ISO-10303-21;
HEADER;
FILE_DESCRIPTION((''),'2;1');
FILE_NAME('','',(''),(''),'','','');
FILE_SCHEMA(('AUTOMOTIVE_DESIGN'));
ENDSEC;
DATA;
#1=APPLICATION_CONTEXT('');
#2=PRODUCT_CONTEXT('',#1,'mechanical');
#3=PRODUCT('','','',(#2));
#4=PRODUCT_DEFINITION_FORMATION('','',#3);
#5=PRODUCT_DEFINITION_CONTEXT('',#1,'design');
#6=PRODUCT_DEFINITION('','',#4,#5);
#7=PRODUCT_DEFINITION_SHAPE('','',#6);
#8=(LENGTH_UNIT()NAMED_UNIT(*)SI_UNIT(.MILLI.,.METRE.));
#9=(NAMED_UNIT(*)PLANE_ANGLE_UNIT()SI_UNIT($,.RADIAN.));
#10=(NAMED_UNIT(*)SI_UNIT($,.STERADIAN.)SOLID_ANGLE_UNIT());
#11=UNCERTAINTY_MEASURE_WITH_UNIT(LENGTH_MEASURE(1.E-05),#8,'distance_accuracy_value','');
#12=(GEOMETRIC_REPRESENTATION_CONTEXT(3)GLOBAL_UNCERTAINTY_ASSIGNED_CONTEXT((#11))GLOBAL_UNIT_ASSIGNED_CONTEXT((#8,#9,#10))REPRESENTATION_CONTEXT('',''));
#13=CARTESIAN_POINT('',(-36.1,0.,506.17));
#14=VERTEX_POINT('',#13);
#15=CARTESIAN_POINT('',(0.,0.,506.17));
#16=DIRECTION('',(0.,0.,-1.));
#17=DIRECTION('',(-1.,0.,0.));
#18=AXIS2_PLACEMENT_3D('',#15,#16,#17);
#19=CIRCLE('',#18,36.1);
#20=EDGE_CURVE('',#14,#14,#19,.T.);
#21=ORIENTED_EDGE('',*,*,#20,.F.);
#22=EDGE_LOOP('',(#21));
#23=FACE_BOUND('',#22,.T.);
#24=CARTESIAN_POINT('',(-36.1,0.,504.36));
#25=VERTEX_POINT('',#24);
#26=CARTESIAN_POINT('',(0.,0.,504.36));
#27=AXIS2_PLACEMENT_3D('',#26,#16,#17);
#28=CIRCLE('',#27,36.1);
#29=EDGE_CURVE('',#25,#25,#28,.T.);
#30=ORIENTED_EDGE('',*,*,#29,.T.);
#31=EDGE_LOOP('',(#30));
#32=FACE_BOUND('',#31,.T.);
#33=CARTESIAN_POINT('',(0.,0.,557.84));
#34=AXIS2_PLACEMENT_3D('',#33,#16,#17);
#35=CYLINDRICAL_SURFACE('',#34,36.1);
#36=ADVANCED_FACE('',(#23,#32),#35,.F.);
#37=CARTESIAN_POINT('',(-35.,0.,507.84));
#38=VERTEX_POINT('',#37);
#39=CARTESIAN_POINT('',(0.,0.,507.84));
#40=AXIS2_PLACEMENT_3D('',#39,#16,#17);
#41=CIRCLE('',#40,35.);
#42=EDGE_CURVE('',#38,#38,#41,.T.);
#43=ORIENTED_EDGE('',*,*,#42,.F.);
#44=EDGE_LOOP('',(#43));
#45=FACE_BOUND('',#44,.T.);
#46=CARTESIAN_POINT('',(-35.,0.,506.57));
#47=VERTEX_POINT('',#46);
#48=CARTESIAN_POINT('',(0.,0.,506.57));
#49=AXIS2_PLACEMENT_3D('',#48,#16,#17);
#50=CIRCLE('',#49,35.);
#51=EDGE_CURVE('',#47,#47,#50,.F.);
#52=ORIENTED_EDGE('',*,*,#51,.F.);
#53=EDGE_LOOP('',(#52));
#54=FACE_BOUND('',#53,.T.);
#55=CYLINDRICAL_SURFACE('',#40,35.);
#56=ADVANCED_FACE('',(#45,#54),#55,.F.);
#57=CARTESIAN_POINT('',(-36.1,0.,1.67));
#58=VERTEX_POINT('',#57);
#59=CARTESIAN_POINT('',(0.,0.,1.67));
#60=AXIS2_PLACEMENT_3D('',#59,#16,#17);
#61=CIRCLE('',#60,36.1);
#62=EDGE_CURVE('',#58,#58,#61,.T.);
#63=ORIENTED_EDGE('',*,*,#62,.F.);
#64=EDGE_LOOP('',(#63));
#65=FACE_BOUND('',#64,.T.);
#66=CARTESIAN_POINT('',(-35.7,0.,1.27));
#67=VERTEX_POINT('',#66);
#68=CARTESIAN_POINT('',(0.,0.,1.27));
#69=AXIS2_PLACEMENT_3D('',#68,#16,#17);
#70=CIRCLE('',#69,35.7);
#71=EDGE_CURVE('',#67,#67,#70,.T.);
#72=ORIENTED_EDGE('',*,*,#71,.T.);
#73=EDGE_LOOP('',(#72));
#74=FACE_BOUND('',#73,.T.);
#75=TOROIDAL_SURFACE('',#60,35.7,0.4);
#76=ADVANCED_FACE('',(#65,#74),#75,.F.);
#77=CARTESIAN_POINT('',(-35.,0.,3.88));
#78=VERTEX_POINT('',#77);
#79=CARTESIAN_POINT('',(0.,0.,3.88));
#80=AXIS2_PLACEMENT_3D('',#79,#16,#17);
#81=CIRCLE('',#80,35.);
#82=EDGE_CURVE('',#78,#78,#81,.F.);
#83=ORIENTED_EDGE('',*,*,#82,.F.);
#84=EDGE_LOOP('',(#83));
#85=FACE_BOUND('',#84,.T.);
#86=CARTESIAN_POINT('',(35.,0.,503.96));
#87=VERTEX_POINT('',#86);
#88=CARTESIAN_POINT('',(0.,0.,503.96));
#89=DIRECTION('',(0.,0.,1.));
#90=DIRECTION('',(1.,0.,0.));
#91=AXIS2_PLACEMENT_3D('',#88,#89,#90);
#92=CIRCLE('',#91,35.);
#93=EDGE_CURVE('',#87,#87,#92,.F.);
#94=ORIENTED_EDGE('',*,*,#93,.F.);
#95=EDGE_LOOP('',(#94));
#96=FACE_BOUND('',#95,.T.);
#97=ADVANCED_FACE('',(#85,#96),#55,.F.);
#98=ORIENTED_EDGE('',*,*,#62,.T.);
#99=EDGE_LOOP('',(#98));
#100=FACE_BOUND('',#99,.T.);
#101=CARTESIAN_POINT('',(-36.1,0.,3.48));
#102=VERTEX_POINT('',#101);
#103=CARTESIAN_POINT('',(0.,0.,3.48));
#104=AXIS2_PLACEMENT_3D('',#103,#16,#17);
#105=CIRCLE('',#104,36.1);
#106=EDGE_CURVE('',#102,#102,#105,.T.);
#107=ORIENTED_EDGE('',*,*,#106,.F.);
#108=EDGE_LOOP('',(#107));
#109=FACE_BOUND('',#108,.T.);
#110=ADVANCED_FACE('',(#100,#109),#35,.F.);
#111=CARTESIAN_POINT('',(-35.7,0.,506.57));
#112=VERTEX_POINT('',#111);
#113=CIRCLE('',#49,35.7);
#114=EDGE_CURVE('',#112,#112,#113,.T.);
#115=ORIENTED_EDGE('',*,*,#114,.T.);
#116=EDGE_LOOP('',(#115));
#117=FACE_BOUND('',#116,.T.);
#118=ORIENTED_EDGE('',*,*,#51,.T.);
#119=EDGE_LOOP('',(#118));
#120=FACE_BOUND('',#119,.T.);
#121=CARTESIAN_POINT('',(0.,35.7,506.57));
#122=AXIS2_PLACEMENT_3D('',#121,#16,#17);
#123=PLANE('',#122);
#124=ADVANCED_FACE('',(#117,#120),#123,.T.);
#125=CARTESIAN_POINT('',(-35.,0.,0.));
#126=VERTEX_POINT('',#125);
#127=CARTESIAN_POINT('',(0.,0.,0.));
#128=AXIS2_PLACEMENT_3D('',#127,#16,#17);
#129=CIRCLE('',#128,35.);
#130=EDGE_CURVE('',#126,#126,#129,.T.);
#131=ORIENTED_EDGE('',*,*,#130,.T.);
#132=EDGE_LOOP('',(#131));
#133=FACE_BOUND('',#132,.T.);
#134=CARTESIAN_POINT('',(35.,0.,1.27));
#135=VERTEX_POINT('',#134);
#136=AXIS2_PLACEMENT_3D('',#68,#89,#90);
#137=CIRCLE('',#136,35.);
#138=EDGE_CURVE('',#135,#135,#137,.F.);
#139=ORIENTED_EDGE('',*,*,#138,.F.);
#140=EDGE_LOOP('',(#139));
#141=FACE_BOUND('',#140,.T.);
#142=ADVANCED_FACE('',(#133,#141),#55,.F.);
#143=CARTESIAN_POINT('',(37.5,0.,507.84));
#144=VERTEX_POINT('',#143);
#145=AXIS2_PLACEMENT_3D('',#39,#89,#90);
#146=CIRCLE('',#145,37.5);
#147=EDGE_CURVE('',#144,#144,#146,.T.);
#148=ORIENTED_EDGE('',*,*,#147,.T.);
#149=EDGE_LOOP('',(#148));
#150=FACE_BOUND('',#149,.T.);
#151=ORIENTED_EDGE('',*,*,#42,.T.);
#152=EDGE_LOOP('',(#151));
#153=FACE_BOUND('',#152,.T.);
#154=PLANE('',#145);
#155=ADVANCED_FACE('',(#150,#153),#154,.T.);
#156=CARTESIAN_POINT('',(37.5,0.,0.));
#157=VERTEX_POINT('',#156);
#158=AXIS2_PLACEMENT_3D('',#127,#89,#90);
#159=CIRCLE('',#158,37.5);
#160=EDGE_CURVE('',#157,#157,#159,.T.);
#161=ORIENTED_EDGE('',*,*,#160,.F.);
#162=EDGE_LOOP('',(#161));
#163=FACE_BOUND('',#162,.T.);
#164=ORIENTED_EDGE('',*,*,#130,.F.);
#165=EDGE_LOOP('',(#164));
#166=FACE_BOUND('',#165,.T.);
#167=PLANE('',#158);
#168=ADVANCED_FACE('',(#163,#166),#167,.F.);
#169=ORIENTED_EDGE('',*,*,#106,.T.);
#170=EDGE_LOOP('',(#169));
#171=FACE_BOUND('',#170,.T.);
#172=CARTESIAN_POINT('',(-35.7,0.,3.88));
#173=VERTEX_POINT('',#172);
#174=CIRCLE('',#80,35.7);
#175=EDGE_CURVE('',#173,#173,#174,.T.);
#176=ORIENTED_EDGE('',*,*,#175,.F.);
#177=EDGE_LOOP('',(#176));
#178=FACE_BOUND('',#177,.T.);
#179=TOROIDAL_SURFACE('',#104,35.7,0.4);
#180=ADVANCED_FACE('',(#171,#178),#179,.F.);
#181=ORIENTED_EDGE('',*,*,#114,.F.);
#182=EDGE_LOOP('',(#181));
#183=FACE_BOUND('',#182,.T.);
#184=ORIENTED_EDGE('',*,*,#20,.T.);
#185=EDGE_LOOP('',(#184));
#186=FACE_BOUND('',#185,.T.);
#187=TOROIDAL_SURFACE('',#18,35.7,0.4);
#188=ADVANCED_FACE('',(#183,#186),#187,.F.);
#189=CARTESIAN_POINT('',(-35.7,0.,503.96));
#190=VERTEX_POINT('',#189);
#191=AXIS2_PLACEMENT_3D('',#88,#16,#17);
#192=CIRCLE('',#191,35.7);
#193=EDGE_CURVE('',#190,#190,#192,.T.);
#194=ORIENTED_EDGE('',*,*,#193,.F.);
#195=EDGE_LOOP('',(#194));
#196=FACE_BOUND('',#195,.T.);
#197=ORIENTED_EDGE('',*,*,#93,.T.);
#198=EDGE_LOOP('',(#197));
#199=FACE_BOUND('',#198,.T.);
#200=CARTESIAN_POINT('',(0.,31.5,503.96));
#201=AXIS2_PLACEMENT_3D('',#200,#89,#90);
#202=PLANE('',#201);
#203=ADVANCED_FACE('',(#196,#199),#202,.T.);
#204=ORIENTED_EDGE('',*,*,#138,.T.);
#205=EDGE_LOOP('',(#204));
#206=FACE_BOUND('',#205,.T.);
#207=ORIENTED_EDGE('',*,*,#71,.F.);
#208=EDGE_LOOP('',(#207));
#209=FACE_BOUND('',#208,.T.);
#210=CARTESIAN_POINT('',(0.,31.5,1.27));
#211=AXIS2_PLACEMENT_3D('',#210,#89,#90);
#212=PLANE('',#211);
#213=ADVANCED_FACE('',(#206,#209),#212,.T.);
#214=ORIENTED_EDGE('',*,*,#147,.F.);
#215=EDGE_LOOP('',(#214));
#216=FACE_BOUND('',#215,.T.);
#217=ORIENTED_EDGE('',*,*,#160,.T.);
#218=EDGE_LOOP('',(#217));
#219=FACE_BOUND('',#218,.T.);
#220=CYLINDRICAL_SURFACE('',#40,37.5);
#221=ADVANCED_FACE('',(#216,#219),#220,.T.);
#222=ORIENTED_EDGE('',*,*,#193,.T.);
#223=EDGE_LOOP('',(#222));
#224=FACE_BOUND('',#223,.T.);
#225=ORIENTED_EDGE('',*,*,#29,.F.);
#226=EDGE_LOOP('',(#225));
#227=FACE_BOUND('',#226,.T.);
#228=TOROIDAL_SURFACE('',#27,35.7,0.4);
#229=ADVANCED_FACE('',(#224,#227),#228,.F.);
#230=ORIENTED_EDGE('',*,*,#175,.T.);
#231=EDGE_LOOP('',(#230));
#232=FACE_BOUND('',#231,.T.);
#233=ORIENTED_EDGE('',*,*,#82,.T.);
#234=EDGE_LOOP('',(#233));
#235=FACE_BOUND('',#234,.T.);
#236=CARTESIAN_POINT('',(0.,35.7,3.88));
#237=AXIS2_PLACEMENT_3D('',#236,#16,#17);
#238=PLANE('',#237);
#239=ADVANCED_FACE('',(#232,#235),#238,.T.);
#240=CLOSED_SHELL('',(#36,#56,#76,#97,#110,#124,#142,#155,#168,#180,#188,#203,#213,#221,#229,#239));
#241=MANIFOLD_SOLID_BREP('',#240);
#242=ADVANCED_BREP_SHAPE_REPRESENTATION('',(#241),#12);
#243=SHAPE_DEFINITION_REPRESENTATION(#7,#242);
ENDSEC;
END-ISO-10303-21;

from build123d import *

# Parameters (mm, degrees)
SKETCH1_R           = 37.500000057
BOSS_EXTRUDE1_DEPTH = 507.84
SKETCH3_R           = 35
CUT_EXTRUDE1_DEPTH  = 507.84


with BuildPart() as part:
    # Sketch1 → Boss-Extrude1 (new body)
    with BuildSketch(Plane.XY):
        Circle(SKETCH1_R)
    extrude(amount=BOSS_EXTRUDE1_DEPTH)

    # Sketch3 → Cut-Extrude1 (cut)
    with BuildSketch(Plane(origin=(0, 0, 0), x_dir=(-1, 0, 0), z_dir=(0, 0, -1))):
        Circle(SKETCH3_R)
    extrude(amount=-CUT_EXTRUDE1_DEPTH, mode=Mode.SUBTRACT)

    # Sketch9 → Groove for ANSI B27.7 - 3BM1-68_ Basic I (revolve, cut)
    with BuildSketch(Plane(origin=(0, 0, 507.84), x_dir=(0, 1, 0), z_dir=(-1, 0, 0))):
        with BuildLine():
            Line((35.7, 503.96), (31.5, 503.96))
            Line((31.5, 503.96), (31.5, 506.57))
            Line((31.5, 506.57), (35.7, 506.57))
            ThreePointArc((35.7, 506.57), (35.982842712, 506.452842712), (36.1, 506.17))
            Line((36.1, 506.17), (36.1, 504.36))
            ThreePointArc((36.1, 504.36), (35.982842712, 504.077157288), (35.7, 503.96))
        make_face()
    revolve(axis=Axis((0, 0, 557.84), (0, 0, -1)), mode=Mode.SUBTRACT)

    # Sketch11 → Groove for ANSI B27.7 - 3BM1-68_ Bas 2 (revolve, cut)
    with BuildSketch(Plane(origin=(0, 0, 507.84), x_dir=(0, 1, 0), z_dir=(-1, 0, 0))):
        with BuildLine():
            Line((35.7, 1.27), (31.5, 1.27))
            Line((31.5, 1.27), (31.5, 3.88))
            Line((31.5, 3.88), (35.7, 3.88))
            ThreePointArc((35.7, 3.88), (35.982842712, 3.762842712), (36.1, 3.48))
            Line((36.1, 3.48), (36.1, 1.67))
            ThreePointArc((36.1, 1.67), (35.982842712, 1.387157288), (35.7, 1.27))
        make_face()
    revolve(axis=Axis((0, 0, 557.84), (0, 0, -1)), mode=Mode.SUBTRACT)


solid = part.part
